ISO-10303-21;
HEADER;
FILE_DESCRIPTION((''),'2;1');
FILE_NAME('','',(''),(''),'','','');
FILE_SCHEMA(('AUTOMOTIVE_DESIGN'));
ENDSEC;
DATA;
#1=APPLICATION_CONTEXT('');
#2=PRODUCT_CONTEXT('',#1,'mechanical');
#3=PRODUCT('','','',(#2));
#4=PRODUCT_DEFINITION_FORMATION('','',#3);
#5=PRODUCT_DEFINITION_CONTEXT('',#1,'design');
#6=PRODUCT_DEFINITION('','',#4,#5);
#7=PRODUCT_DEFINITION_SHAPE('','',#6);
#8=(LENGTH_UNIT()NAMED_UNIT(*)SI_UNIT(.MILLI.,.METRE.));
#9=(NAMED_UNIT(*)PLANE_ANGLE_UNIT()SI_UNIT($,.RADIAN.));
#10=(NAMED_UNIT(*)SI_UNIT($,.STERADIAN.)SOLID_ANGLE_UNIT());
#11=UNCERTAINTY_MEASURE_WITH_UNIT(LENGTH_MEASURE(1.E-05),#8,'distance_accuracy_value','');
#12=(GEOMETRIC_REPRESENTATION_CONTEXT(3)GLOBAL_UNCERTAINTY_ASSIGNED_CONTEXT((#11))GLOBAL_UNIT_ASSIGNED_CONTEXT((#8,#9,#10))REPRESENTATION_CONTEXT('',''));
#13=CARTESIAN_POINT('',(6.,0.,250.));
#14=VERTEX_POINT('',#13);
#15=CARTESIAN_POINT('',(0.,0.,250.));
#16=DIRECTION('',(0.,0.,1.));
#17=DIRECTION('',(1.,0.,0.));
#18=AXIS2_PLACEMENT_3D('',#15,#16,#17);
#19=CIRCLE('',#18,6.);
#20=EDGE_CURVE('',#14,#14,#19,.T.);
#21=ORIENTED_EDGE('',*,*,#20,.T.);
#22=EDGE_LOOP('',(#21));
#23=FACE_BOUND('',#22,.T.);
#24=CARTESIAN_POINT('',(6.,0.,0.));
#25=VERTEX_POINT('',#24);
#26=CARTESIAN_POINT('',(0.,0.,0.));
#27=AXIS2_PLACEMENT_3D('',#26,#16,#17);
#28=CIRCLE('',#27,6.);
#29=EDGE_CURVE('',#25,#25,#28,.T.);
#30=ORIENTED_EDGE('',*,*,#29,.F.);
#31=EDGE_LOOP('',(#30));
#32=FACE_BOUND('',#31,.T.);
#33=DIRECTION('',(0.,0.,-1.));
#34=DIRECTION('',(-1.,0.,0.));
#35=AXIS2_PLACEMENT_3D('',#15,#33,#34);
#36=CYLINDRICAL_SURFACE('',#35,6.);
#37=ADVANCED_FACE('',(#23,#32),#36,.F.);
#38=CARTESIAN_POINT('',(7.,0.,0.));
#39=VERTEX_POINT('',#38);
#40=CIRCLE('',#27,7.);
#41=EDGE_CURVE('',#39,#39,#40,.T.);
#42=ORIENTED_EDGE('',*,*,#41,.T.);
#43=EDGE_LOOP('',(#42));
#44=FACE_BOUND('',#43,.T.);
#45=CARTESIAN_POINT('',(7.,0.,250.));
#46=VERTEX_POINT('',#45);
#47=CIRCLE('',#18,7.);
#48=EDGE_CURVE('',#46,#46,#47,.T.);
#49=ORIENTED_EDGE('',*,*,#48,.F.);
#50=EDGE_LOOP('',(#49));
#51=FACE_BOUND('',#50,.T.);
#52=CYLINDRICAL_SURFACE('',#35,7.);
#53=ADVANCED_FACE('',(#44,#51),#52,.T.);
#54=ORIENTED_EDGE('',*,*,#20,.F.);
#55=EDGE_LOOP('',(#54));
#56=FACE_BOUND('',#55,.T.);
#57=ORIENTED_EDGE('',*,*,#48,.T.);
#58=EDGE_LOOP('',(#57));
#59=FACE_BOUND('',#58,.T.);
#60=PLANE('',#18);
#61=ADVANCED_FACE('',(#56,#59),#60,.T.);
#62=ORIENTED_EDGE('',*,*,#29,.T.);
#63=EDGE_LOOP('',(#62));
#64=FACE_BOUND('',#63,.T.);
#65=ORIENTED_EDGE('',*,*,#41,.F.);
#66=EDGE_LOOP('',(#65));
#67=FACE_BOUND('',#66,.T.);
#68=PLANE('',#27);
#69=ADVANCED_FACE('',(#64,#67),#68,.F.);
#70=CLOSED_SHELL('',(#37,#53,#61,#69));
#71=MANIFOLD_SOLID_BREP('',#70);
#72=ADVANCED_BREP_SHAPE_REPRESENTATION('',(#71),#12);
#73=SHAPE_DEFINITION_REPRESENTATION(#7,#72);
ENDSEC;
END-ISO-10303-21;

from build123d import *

# Parameters (mm, degrees)
SZKIC1_R                    = 7
SZKIC1_R_2                  = 6
DODANIE_WYCI_GNI_CIE1_DEPTH = 250


with BuildPart() as part:
    # Szkic1 → Dodanie-wyciągnięcie1 (new body)
    with BuildSketch(Plane.XY):
        Circle(SZKIC1_R)
        Circle(SZKIC1_R_2, mode=Mode.SUBTRACT)
    extrude(amount=DODANIE_WYCI_GNI_CIE1_DEPTH)


solid = part.part
